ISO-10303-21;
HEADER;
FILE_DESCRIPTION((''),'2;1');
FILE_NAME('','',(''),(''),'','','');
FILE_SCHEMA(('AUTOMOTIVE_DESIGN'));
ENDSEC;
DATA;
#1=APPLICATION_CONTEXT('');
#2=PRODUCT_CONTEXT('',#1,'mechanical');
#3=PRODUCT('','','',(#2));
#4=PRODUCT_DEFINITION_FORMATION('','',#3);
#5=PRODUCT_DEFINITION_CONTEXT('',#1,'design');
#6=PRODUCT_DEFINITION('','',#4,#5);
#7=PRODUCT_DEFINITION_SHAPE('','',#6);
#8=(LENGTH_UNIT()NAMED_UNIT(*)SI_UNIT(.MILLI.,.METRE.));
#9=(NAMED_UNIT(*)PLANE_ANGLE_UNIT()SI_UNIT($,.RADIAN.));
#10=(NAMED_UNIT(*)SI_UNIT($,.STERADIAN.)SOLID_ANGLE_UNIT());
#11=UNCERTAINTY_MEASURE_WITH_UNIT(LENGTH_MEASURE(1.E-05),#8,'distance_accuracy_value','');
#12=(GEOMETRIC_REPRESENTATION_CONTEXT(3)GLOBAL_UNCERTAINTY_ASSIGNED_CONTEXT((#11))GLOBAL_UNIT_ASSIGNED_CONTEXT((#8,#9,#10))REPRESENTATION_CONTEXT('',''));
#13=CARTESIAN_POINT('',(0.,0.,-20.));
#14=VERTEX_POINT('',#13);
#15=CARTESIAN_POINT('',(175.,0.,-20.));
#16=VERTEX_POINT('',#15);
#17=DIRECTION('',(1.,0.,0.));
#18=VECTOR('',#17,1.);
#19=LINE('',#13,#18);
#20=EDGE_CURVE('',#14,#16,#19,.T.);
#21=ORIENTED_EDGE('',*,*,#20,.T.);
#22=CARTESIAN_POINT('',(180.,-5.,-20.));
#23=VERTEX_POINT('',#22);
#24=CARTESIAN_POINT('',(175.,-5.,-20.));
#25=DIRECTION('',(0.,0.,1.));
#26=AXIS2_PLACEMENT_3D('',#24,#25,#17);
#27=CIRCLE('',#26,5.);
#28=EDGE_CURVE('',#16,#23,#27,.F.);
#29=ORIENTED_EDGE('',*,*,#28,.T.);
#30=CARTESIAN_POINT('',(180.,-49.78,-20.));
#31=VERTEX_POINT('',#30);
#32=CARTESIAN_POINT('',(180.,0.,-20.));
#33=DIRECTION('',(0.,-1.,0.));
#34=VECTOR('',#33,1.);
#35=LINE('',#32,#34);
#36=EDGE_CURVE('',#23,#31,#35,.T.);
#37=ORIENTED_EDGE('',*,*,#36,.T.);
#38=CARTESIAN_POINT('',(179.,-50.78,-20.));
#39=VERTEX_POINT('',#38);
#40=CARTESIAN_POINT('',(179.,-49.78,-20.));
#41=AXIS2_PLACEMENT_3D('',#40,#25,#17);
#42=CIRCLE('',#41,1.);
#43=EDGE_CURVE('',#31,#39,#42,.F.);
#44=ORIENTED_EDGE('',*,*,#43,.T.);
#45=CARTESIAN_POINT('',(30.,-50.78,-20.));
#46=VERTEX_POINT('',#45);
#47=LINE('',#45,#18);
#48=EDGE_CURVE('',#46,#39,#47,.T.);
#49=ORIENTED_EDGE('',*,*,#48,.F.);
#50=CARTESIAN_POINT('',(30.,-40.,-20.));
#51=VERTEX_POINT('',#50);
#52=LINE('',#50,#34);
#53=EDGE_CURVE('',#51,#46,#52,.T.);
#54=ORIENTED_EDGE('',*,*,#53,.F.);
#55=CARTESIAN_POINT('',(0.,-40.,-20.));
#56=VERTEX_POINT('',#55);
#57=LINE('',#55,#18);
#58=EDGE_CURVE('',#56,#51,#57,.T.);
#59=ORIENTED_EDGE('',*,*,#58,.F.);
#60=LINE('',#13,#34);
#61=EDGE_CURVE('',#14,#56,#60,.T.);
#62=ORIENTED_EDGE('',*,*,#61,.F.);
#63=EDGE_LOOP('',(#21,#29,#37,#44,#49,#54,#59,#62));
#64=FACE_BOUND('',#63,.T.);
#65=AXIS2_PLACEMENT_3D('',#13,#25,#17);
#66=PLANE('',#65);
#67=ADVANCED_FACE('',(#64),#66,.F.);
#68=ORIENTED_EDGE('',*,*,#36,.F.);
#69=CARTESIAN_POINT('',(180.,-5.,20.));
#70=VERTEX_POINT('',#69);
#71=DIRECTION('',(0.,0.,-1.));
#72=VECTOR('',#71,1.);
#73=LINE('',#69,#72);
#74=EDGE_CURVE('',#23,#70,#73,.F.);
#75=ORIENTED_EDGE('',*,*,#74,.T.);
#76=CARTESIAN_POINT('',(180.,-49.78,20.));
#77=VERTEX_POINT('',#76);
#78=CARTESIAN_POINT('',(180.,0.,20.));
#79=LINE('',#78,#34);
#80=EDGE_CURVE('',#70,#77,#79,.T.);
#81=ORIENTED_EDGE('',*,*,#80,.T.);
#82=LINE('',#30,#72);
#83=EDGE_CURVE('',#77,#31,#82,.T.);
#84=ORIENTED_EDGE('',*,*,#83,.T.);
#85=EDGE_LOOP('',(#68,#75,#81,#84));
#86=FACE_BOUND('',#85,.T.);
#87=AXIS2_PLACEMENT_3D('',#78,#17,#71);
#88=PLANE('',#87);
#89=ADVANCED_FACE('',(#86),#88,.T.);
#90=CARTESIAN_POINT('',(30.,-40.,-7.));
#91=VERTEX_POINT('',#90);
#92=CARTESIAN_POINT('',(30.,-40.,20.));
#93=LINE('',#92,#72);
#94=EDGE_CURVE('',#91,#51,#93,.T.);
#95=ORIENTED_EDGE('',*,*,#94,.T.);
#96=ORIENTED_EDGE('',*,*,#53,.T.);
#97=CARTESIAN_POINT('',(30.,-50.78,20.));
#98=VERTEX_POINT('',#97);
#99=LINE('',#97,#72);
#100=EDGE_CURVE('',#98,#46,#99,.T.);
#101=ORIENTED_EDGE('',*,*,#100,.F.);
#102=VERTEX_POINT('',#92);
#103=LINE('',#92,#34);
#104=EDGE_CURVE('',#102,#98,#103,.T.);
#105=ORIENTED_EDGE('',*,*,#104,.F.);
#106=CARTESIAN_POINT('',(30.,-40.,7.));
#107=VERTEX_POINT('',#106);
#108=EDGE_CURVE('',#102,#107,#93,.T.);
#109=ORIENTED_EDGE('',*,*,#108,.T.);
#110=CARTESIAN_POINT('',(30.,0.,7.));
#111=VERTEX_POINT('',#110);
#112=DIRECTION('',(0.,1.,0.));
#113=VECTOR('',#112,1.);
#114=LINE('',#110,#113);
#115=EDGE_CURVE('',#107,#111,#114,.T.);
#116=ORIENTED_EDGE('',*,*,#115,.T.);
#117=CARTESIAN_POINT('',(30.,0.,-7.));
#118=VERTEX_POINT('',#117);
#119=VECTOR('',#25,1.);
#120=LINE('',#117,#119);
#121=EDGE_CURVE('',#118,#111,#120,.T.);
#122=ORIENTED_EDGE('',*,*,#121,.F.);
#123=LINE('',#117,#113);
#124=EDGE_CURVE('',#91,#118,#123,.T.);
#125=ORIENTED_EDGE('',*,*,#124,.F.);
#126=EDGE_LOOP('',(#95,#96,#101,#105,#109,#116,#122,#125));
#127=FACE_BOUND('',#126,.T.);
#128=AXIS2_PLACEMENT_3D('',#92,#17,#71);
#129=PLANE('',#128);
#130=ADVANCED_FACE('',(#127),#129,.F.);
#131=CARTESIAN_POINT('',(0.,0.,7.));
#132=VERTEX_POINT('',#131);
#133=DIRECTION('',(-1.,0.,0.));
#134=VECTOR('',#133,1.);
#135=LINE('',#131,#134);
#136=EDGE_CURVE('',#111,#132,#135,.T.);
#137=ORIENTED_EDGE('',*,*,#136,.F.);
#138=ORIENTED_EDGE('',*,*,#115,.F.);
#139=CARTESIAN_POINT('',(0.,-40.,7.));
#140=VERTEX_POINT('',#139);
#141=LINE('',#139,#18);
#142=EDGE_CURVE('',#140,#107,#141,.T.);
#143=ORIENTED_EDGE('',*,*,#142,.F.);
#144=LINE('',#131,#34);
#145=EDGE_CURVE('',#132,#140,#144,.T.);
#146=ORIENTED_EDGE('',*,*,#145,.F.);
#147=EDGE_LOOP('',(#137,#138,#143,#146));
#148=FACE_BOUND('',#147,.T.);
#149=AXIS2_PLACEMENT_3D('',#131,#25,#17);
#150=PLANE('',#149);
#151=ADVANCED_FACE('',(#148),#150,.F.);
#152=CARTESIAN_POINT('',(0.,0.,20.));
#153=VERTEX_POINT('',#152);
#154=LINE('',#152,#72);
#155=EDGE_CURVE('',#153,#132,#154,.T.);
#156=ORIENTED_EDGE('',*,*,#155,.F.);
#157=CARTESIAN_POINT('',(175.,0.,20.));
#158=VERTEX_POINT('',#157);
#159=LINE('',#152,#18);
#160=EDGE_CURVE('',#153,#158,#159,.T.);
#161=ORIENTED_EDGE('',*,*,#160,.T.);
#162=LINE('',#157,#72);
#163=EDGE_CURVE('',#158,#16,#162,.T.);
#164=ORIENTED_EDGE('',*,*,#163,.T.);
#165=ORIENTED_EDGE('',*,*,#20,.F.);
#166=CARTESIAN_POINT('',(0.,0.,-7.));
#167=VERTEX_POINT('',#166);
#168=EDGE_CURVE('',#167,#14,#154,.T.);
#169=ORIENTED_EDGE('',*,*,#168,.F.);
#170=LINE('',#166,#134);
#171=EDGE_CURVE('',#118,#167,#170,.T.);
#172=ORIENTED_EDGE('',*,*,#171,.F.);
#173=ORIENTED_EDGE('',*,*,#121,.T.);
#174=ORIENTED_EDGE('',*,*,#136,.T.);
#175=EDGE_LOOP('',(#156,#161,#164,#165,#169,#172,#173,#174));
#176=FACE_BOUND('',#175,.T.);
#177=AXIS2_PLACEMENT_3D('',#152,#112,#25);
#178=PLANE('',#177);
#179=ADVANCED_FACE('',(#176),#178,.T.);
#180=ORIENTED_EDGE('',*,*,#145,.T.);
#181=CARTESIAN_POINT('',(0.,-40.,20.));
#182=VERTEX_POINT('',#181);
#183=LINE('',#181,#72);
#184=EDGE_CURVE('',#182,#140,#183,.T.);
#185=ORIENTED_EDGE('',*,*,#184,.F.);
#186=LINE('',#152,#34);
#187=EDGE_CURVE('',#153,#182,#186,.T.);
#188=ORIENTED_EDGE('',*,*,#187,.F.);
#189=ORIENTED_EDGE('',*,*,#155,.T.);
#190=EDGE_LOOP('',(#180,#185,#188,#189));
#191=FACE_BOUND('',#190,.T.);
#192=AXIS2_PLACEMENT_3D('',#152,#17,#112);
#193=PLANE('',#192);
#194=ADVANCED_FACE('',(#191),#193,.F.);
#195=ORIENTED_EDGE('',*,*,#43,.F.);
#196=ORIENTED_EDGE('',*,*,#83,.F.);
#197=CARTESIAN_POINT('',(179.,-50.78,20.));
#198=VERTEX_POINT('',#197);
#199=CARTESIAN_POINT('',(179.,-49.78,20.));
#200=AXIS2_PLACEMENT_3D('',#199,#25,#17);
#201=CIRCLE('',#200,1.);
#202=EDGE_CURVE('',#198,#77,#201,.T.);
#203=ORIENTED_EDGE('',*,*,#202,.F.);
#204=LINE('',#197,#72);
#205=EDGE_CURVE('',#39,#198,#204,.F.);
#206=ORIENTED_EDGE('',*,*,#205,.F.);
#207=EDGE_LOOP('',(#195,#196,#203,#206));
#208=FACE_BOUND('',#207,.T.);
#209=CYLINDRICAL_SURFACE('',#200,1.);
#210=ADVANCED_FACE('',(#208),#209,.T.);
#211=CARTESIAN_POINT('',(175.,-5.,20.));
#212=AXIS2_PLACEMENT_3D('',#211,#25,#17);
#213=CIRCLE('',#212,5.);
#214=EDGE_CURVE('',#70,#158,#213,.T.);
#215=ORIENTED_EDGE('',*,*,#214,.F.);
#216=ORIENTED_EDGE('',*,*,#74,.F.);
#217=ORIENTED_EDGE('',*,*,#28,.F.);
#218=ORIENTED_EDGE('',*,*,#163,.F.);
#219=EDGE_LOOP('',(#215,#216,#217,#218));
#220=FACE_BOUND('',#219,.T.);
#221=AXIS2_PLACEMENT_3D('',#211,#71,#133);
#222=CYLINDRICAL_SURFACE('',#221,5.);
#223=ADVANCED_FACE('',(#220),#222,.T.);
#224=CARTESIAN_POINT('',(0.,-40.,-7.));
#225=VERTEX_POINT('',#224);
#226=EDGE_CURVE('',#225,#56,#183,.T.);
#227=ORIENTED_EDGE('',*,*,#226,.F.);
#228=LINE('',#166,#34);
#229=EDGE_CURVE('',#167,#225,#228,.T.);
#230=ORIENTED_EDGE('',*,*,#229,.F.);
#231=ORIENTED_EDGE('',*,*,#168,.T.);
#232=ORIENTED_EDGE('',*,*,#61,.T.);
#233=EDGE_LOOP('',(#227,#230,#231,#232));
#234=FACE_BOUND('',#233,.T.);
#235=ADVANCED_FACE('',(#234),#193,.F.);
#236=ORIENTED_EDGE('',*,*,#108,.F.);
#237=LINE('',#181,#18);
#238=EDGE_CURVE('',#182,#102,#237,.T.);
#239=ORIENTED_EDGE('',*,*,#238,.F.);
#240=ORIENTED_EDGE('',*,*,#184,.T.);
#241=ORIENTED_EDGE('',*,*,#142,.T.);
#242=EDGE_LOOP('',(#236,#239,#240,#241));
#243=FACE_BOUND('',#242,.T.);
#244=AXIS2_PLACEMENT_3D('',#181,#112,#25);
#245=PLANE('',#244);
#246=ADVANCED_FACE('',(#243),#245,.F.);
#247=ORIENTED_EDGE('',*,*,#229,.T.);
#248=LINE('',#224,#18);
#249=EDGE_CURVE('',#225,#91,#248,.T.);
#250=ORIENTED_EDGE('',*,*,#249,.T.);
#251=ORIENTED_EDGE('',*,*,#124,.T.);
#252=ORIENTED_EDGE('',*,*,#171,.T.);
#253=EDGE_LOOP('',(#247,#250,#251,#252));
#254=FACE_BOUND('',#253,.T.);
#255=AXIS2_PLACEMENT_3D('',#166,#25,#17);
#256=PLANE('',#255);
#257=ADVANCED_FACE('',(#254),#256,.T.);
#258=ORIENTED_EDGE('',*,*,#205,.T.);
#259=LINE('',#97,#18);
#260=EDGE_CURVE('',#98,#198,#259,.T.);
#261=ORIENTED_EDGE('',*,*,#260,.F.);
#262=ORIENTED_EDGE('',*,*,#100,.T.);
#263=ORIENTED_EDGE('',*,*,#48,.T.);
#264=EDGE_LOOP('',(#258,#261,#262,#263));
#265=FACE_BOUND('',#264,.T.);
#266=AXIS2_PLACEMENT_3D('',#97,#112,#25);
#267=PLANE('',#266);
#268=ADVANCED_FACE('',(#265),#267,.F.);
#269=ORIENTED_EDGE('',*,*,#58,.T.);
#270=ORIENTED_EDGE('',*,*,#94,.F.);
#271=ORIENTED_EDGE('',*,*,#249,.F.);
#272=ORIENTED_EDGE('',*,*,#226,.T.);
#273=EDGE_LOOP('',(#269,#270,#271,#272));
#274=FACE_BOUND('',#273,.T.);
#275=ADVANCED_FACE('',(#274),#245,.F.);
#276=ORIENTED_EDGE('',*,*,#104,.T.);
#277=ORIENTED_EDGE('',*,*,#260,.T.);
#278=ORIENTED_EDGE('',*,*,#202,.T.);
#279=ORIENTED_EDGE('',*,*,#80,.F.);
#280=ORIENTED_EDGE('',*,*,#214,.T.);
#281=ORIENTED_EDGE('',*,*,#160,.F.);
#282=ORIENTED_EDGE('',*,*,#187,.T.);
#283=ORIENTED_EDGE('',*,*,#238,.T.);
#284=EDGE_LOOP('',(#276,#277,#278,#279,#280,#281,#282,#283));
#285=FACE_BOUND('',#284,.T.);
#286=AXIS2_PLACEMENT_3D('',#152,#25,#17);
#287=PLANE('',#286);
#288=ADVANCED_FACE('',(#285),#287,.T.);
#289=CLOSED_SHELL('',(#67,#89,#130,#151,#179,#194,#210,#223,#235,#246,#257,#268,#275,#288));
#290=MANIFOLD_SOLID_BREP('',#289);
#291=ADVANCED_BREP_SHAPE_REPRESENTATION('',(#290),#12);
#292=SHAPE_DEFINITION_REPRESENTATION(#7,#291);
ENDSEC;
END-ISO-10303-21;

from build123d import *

# Parameters (mm, degrees)
EXTRUDE_1_DEPTH     = 20
SKETCH_2_W          = 30
SKETCH_2_H          = 40
CUT_EXTRUDE_1_DEPTH = 7
FILLET_1_R          = 5
FILLET_2_R          = 1


with BuildPart() as part:
    # 스케치1 → 보스-돌출1 (new, symmetric)
    with BuildSketch(Plane.XY):
        Polygon((0, -40), (30, -40), (30, -50.78), (180, -50.78), (180, 0), (0, 0), align=None)
    extrude(amount=EXTRUDE_1_DEPTH, both=True)

    # 스케치2 → 컷-돌출1 (cut, symmetric)
    with BuildSketch(Plane.XY):
        with Locations((15, -20)):
            Rectangle(SKETCH_2_W, SKETCH_2_H)
    extrude(amount=CUT_EXTRUDE_1_DEPTH, both=True, mode=Mode.SUBTRACT)

    # 필렛1
    fillet_1_edges = [part.edges().sort_by_distance(p)[0] for p in [
        (180, 0, 0),
    ]]
    fillet(fillet_1_edges, radius=FILLET_1_R)

    # 필렛2
    fillet_2_edges = [part.edges().sort_by_distance(p)[0] for p in [
        (180, -50.78, 0),
    ]]
    fillet(fillet_2_edges, radius=FILLET_2_R)


solid = part.part
